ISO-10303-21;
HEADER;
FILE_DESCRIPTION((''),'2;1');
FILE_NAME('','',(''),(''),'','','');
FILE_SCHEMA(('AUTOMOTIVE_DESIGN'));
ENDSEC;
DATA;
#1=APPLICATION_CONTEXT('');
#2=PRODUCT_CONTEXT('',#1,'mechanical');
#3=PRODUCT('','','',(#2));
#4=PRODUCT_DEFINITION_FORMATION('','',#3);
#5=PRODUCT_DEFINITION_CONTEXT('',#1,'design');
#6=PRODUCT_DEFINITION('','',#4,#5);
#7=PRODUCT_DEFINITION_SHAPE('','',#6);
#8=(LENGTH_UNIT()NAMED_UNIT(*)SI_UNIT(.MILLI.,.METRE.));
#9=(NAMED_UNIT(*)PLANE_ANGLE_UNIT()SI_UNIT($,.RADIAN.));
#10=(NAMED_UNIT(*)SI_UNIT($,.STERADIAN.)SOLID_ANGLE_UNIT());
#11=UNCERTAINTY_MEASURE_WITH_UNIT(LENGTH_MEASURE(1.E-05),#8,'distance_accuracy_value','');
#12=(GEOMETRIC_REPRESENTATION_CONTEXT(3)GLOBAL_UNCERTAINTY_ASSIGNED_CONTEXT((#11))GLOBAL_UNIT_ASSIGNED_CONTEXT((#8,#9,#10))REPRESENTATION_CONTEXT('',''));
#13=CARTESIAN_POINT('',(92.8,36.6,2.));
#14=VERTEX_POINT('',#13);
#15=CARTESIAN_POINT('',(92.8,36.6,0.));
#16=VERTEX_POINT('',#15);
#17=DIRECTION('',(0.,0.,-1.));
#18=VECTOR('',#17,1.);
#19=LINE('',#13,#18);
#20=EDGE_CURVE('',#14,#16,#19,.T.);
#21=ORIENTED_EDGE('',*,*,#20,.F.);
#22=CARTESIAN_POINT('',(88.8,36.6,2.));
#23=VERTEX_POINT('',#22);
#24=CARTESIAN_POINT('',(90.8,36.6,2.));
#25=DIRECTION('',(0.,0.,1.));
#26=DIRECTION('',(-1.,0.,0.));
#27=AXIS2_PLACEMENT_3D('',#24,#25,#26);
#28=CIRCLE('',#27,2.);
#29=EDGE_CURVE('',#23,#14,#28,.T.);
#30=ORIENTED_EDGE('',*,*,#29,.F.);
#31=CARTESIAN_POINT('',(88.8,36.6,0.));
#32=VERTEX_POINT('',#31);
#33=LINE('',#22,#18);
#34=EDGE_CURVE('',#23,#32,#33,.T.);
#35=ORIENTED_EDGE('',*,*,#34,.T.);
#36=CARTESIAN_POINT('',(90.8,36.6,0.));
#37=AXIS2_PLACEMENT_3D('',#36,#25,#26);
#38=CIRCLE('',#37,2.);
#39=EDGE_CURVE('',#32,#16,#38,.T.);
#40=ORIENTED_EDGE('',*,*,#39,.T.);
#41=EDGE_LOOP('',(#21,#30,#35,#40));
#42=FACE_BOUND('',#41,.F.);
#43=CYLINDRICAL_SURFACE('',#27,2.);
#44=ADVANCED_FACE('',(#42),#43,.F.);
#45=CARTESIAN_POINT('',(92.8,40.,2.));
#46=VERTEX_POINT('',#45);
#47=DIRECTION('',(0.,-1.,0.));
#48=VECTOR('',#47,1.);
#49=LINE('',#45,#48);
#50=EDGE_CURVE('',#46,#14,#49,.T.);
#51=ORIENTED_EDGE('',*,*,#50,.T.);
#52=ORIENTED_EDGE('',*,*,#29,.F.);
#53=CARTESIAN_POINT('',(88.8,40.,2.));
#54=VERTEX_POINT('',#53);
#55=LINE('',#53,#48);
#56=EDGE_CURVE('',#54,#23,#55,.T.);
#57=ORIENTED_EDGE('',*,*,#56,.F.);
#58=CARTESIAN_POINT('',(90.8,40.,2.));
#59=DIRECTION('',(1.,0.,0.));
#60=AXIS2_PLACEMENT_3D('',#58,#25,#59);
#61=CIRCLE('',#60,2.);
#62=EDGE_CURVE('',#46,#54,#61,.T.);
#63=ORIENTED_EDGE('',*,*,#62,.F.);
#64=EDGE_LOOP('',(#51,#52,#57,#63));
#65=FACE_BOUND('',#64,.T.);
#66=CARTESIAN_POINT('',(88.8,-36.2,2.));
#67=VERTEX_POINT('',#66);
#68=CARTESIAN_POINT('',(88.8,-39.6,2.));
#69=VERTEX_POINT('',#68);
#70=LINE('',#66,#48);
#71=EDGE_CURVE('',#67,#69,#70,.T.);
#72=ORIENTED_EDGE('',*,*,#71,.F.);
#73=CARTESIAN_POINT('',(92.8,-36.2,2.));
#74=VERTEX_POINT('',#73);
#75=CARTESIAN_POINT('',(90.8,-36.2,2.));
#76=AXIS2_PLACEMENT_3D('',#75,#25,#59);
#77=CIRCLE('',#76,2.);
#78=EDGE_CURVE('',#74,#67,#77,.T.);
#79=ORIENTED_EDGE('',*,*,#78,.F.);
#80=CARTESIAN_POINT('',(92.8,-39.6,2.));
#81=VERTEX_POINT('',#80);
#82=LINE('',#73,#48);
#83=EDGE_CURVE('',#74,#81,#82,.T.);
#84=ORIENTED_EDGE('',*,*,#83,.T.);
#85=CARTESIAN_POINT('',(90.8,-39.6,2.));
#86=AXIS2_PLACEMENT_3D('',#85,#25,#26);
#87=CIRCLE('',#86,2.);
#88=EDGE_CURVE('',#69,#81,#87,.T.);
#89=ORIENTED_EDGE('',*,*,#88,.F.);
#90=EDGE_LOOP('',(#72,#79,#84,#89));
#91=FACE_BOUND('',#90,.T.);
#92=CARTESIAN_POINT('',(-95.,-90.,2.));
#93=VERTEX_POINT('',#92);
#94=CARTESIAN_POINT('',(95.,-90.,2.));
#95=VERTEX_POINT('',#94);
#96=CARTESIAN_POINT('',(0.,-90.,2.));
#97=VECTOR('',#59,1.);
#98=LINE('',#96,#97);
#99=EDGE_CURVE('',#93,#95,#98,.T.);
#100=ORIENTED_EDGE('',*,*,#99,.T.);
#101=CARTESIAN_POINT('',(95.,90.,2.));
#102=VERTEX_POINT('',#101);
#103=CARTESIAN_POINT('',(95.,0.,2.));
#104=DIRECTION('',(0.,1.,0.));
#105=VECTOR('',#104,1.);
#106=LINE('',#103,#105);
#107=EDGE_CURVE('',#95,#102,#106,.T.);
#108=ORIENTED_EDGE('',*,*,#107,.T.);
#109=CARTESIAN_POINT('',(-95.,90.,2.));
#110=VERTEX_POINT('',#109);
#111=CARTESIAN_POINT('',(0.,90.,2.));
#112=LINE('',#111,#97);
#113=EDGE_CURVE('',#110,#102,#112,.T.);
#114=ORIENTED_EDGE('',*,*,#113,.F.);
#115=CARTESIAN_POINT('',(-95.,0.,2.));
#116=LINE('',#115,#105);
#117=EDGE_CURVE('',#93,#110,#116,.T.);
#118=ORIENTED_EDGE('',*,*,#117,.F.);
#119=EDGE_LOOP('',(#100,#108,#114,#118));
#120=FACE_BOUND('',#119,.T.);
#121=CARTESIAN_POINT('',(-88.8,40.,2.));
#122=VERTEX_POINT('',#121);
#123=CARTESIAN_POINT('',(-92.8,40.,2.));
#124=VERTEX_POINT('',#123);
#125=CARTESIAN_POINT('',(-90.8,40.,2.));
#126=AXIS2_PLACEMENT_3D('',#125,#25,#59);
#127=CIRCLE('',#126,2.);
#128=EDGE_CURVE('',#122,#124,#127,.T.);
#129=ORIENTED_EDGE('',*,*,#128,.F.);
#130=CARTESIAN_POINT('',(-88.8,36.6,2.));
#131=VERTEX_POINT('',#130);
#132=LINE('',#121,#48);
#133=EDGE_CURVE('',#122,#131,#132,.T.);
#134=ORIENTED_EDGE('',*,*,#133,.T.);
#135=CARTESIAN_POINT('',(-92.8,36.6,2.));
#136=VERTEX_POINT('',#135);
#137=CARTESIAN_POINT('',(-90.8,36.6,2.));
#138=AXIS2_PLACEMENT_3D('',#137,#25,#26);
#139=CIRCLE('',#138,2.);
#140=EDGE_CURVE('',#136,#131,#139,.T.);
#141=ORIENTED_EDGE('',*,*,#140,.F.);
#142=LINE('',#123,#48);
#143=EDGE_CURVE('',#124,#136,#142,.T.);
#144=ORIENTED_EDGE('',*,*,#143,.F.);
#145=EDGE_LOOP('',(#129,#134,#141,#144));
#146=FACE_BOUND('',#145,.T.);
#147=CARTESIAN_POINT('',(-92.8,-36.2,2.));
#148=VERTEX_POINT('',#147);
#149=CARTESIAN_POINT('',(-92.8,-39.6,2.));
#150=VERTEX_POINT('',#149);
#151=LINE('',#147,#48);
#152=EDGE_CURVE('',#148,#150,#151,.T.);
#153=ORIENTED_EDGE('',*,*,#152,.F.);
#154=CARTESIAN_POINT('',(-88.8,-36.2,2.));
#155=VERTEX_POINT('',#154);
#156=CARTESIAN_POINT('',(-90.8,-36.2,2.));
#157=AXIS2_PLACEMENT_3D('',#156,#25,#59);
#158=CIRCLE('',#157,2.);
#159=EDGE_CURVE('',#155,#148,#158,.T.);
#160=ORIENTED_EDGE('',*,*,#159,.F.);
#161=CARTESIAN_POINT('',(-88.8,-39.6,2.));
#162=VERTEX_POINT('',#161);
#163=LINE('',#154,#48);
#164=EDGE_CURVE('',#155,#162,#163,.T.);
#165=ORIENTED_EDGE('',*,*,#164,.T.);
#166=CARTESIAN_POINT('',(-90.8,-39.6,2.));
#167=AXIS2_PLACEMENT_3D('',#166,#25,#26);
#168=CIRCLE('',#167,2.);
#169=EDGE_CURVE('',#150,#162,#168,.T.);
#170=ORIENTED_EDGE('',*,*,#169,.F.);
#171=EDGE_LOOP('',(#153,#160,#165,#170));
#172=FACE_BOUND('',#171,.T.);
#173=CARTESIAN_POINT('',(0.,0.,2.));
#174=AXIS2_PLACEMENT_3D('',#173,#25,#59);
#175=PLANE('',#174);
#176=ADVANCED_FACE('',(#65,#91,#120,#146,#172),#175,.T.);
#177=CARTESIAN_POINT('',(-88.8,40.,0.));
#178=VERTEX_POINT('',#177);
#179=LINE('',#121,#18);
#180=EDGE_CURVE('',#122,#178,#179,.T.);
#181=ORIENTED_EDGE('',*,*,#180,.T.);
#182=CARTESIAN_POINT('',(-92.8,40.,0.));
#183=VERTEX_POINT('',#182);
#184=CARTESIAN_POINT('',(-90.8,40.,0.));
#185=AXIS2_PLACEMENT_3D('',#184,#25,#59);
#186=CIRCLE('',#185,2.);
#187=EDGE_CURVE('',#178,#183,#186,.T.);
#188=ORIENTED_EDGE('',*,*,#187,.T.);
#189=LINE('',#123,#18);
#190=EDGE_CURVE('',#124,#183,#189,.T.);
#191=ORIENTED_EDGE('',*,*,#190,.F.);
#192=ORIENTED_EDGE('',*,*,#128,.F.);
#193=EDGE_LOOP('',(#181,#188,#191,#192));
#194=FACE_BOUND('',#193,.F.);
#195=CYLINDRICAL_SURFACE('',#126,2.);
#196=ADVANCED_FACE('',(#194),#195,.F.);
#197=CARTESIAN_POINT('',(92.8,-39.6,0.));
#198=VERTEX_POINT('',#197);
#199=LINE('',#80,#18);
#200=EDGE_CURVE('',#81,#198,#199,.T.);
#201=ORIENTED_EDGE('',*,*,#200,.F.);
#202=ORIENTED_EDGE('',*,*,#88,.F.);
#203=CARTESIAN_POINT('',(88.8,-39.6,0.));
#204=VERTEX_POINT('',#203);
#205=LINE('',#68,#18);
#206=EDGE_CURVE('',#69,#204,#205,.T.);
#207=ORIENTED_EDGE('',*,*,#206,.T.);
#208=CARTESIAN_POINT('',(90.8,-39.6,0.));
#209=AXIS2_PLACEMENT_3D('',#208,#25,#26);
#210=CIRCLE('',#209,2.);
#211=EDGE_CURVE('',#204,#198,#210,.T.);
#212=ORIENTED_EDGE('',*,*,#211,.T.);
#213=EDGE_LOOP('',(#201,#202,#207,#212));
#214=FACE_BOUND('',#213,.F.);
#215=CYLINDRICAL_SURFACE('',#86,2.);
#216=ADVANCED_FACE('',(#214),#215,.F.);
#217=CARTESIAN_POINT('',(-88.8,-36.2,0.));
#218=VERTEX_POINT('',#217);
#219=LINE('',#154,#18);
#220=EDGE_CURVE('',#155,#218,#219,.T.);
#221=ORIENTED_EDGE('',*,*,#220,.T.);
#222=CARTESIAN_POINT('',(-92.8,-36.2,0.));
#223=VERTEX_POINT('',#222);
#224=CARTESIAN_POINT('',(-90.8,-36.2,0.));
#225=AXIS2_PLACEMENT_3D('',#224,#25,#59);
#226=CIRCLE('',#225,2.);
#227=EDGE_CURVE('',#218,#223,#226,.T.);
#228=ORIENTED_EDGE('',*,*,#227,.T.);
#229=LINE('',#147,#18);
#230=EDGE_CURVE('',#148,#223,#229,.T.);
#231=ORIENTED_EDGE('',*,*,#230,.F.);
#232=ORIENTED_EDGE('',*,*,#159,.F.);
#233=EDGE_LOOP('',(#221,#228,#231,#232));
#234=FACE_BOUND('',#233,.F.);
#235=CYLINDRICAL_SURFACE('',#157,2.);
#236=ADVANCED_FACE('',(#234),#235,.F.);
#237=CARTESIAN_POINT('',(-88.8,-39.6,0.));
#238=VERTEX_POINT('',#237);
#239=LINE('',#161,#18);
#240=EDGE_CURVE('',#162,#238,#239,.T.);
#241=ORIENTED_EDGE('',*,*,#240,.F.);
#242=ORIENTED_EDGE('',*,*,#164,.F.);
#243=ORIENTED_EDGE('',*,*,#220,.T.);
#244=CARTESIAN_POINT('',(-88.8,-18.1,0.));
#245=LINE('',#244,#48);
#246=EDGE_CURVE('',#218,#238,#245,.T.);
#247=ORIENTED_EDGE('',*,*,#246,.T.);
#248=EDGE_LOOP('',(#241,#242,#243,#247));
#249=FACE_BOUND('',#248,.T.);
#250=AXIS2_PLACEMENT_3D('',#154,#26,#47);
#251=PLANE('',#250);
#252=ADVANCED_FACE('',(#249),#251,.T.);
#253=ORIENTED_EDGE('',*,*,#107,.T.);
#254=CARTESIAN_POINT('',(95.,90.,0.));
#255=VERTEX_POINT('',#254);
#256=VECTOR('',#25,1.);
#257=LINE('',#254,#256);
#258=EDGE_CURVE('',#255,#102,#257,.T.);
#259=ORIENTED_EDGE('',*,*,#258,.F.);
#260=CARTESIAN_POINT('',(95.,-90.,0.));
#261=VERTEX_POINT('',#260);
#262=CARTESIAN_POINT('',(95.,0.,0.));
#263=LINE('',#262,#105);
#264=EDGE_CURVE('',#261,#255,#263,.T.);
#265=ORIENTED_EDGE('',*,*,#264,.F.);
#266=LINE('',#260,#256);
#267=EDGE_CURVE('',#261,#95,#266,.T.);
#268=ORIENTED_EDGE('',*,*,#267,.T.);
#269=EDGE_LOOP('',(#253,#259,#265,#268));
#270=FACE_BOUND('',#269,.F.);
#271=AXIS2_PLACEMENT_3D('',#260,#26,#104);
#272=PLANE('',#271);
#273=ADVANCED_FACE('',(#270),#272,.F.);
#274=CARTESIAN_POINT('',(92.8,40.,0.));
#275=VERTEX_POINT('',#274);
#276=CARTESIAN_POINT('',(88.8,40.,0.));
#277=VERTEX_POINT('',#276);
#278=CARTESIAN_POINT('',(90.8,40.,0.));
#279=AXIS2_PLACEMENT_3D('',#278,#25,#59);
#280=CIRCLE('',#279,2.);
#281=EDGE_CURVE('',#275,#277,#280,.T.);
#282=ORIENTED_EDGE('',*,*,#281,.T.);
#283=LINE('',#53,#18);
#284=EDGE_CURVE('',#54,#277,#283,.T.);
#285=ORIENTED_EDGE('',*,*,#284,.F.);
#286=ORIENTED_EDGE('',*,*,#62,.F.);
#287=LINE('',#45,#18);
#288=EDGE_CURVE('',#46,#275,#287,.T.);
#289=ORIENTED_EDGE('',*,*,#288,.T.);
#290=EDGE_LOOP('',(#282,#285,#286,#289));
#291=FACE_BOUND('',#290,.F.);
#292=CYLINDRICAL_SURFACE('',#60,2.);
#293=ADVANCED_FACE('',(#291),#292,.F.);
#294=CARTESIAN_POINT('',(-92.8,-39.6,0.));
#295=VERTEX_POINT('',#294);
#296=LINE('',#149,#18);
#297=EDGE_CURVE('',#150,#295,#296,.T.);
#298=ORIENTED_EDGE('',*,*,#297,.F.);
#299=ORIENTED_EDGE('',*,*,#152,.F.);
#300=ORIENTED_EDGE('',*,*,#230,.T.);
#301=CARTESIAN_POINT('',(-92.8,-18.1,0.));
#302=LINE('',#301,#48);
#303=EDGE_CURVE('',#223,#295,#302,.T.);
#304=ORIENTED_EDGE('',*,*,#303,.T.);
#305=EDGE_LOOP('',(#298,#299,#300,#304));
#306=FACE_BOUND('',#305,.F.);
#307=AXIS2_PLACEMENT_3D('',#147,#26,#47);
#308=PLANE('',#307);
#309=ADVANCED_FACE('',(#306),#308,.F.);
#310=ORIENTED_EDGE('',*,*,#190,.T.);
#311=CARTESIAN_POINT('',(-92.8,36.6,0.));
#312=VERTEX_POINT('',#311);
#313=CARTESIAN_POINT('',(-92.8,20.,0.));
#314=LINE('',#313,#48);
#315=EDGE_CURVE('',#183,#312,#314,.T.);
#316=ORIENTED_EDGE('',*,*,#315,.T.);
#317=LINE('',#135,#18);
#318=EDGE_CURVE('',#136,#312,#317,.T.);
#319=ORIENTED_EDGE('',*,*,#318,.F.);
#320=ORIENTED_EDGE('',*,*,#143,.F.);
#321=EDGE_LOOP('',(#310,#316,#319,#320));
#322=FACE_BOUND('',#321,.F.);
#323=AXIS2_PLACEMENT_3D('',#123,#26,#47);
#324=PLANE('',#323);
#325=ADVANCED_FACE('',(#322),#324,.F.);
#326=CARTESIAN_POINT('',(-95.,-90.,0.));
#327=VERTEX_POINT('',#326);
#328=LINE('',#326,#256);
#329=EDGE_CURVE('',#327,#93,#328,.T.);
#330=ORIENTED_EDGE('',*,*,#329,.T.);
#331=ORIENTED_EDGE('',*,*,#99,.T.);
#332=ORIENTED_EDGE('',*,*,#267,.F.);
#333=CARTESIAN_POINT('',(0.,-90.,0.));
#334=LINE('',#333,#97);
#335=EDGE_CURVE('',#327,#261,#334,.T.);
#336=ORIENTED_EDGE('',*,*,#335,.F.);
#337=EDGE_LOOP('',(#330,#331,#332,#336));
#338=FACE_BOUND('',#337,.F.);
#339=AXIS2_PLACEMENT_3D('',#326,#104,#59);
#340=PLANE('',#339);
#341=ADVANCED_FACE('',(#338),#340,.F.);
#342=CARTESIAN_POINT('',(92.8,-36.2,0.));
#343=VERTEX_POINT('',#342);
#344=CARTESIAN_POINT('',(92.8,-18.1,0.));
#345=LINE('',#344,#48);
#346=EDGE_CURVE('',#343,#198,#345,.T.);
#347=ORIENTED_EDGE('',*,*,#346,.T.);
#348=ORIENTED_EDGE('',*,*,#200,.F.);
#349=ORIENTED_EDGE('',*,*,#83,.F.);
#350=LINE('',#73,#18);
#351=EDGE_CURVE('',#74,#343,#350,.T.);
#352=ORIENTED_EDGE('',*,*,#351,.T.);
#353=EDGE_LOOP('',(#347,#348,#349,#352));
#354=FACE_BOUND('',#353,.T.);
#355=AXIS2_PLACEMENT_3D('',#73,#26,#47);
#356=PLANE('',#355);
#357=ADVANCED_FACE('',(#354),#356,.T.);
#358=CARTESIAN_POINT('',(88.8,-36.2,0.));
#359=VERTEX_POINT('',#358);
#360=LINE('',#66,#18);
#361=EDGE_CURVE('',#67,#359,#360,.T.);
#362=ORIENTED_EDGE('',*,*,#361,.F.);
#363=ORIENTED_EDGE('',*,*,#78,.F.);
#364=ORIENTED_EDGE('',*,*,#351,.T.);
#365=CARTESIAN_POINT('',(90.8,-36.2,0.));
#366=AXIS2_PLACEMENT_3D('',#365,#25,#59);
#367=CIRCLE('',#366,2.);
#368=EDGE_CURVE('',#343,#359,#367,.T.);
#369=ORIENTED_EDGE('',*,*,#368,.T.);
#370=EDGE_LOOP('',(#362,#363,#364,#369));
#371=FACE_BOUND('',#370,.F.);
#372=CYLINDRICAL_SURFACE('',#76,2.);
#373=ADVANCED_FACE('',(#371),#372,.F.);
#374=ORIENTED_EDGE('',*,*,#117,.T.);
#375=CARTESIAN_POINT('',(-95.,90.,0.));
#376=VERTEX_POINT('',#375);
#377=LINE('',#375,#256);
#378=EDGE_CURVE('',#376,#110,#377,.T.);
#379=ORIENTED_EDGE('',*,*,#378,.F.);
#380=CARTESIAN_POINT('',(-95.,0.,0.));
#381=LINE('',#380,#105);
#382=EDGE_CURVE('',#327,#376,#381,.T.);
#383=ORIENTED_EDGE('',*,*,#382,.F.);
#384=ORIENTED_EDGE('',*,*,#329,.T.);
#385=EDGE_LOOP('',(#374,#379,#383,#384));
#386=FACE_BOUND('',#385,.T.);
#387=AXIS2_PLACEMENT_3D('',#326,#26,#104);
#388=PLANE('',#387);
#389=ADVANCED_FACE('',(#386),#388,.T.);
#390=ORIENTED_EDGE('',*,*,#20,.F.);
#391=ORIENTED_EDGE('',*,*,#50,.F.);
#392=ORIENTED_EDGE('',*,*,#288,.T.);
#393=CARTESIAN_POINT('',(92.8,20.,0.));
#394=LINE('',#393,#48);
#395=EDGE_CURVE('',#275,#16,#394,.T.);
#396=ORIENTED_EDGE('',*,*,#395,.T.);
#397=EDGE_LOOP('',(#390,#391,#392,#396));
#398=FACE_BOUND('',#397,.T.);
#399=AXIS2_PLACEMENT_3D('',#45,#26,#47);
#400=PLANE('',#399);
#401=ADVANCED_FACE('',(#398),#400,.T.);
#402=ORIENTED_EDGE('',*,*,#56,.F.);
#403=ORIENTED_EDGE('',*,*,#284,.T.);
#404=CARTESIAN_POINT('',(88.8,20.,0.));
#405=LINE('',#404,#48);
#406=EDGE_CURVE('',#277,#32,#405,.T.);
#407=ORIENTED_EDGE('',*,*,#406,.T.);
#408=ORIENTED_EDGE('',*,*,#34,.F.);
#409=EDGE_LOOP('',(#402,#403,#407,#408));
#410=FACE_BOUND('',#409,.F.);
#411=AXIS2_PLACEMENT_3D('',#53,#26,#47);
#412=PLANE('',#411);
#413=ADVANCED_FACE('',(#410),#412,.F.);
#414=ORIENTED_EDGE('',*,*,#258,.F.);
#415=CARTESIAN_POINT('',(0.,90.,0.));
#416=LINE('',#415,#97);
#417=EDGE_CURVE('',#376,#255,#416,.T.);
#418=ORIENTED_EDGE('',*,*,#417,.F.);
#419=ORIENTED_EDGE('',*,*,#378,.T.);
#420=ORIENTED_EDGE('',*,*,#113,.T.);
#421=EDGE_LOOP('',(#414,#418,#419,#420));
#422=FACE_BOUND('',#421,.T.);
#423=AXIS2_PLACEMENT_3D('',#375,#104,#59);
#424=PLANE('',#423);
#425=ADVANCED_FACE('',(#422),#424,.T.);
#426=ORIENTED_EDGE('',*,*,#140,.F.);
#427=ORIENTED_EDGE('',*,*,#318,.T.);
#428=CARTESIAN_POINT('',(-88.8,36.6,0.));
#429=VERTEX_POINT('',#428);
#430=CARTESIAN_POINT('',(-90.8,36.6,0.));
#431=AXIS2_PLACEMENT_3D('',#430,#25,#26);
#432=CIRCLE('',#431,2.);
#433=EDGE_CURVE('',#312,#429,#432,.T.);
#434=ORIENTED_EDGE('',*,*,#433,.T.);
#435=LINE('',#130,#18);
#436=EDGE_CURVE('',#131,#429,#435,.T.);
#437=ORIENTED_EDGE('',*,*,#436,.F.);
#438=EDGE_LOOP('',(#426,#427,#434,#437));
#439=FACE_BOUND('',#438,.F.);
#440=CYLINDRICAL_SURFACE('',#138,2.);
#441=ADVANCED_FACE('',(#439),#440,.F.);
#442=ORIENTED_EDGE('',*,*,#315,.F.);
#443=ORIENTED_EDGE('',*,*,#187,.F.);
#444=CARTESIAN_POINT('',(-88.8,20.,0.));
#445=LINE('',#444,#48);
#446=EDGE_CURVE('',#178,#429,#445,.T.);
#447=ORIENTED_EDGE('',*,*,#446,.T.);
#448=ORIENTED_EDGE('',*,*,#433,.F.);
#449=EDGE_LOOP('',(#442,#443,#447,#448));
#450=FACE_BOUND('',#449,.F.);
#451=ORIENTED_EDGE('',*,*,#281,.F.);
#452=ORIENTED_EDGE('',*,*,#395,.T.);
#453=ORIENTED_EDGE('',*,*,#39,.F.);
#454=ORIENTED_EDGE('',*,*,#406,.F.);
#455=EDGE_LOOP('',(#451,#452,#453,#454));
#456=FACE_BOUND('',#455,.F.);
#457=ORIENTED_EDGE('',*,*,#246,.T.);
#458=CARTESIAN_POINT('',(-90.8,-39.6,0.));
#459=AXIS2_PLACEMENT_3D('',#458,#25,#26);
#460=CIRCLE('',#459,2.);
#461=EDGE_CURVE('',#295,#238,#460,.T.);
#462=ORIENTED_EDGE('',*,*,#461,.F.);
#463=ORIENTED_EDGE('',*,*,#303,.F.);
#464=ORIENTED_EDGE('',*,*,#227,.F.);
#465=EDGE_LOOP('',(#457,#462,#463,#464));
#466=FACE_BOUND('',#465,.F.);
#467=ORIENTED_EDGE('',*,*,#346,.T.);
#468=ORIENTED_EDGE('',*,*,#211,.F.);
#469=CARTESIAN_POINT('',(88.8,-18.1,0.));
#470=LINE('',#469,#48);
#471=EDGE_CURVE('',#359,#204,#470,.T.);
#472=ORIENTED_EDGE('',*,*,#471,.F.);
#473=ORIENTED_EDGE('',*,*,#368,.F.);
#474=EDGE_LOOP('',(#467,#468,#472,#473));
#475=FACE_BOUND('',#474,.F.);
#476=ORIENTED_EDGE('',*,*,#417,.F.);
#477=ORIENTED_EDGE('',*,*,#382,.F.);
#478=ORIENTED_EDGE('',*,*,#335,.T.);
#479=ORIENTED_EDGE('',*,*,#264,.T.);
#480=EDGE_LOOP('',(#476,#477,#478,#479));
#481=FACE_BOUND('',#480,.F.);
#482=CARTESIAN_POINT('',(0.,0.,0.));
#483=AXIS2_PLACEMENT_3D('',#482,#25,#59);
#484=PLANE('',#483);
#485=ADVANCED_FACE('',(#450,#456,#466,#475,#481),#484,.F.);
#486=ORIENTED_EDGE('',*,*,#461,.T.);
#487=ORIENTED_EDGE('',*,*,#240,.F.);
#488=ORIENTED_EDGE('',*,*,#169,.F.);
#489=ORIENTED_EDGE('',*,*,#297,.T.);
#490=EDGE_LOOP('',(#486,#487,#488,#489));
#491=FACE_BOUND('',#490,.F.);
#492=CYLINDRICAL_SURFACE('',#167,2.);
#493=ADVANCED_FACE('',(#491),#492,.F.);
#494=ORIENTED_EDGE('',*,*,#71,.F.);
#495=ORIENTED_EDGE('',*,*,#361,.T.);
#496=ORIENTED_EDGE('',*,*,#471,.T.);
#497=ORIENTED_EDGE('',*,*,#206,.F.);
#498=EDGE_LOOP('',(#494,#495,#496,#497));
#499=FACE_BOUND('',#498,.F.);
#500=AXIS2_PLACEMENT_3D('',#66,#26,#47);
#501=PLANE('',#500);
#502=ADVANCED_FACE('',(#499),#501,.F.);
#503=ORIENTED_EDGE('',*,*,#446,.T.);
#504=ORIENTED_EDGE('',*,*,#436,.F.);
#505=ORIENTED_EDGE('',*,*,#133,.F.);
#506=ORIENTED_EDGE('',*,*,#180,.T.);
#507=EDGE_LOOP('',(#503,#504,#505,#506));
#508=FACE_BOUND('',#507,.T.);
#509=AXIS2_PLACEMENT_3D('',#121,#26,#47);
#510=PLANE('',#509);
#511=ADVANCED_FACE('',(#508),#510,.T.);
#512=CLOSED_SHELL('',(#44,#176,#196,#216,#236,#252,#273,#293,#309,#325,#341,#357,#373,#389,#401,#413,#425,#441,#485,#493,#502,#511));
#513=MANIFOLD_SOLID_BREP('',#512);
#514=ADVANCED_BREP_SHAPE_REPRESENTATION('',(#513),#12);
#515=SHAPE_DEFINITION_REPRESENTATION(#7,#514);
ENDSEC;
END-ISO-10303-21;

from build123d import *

# Parameters (mm, degrees)
SKETCH_W     = 190
SKETCH_H     = 180
PAD_DEPTH    = 2
POCKET_DEPTH = 5


with BuildPart() as part:
    # Sketch → Pad (new body)
    with BuildSketch(Plane.XY):
        Rectangle(SKETCH_W, SKETCH_H)
    extrude(amount=PAD_DEPTH)

    # Sketch001 (on Face6 of Pad) → Pocket (cut)
    with BuildSketch(Plane.XY.offset(2)):
        with BuildLine():
            ThreePointArc((-88.8, 40), (-90.8, 42), (-92.8, 40))
            Line((-92.8, 40), (-92.8, 36.6))
            ThreePointArc((-92.8, 36.6), (-90.8, 34.6), (-88.8, 36.6))
            Line((-88.8, 40), (-88.8, 36.6))
        make_face()
        with BuildLine():
            ThreePointArc((92.8, 40), (90.8, 42), (88.8, 40))
            Line((88.8, 40), (88.8, 36.6))
            ThreePointArc((88.8, 36.6), (90.8, 34.6), (92.8, 36.6))
            Line((92.8, 40), (92.8, 36.6))
        make_face()
        with BuildLine():
            ThreePointArc((-88.8, -36.2), (-90.8, -34.2), (-92.8, -36.2))
            Line((-92.8, -36.2), (-92.8, -39.6))
            ThreePointArc((-92.8, -39.6), (-90.8, -41.6), (-88.8, -39.6))
            Line((-88.8, -36.2), (-88.8, -39.6))
        make_face()
        with BuildLine():
            ThreePointArc((92.8, -36.2), (90.8, -34.2), (88.8, -36.2))
            Line((88.8, -36.2), (88.8, -39.6))
            ThreePointArc((88.8, -39.6), (90.8, -41.6), (92.8, -39.6))
            Line((92.8, -36.2), (92.8, -39.6))
        make_face()
    extrude(amount=-POCKET_DEPTH, mode=Mode.SUBTRACT)


solid = part.part
